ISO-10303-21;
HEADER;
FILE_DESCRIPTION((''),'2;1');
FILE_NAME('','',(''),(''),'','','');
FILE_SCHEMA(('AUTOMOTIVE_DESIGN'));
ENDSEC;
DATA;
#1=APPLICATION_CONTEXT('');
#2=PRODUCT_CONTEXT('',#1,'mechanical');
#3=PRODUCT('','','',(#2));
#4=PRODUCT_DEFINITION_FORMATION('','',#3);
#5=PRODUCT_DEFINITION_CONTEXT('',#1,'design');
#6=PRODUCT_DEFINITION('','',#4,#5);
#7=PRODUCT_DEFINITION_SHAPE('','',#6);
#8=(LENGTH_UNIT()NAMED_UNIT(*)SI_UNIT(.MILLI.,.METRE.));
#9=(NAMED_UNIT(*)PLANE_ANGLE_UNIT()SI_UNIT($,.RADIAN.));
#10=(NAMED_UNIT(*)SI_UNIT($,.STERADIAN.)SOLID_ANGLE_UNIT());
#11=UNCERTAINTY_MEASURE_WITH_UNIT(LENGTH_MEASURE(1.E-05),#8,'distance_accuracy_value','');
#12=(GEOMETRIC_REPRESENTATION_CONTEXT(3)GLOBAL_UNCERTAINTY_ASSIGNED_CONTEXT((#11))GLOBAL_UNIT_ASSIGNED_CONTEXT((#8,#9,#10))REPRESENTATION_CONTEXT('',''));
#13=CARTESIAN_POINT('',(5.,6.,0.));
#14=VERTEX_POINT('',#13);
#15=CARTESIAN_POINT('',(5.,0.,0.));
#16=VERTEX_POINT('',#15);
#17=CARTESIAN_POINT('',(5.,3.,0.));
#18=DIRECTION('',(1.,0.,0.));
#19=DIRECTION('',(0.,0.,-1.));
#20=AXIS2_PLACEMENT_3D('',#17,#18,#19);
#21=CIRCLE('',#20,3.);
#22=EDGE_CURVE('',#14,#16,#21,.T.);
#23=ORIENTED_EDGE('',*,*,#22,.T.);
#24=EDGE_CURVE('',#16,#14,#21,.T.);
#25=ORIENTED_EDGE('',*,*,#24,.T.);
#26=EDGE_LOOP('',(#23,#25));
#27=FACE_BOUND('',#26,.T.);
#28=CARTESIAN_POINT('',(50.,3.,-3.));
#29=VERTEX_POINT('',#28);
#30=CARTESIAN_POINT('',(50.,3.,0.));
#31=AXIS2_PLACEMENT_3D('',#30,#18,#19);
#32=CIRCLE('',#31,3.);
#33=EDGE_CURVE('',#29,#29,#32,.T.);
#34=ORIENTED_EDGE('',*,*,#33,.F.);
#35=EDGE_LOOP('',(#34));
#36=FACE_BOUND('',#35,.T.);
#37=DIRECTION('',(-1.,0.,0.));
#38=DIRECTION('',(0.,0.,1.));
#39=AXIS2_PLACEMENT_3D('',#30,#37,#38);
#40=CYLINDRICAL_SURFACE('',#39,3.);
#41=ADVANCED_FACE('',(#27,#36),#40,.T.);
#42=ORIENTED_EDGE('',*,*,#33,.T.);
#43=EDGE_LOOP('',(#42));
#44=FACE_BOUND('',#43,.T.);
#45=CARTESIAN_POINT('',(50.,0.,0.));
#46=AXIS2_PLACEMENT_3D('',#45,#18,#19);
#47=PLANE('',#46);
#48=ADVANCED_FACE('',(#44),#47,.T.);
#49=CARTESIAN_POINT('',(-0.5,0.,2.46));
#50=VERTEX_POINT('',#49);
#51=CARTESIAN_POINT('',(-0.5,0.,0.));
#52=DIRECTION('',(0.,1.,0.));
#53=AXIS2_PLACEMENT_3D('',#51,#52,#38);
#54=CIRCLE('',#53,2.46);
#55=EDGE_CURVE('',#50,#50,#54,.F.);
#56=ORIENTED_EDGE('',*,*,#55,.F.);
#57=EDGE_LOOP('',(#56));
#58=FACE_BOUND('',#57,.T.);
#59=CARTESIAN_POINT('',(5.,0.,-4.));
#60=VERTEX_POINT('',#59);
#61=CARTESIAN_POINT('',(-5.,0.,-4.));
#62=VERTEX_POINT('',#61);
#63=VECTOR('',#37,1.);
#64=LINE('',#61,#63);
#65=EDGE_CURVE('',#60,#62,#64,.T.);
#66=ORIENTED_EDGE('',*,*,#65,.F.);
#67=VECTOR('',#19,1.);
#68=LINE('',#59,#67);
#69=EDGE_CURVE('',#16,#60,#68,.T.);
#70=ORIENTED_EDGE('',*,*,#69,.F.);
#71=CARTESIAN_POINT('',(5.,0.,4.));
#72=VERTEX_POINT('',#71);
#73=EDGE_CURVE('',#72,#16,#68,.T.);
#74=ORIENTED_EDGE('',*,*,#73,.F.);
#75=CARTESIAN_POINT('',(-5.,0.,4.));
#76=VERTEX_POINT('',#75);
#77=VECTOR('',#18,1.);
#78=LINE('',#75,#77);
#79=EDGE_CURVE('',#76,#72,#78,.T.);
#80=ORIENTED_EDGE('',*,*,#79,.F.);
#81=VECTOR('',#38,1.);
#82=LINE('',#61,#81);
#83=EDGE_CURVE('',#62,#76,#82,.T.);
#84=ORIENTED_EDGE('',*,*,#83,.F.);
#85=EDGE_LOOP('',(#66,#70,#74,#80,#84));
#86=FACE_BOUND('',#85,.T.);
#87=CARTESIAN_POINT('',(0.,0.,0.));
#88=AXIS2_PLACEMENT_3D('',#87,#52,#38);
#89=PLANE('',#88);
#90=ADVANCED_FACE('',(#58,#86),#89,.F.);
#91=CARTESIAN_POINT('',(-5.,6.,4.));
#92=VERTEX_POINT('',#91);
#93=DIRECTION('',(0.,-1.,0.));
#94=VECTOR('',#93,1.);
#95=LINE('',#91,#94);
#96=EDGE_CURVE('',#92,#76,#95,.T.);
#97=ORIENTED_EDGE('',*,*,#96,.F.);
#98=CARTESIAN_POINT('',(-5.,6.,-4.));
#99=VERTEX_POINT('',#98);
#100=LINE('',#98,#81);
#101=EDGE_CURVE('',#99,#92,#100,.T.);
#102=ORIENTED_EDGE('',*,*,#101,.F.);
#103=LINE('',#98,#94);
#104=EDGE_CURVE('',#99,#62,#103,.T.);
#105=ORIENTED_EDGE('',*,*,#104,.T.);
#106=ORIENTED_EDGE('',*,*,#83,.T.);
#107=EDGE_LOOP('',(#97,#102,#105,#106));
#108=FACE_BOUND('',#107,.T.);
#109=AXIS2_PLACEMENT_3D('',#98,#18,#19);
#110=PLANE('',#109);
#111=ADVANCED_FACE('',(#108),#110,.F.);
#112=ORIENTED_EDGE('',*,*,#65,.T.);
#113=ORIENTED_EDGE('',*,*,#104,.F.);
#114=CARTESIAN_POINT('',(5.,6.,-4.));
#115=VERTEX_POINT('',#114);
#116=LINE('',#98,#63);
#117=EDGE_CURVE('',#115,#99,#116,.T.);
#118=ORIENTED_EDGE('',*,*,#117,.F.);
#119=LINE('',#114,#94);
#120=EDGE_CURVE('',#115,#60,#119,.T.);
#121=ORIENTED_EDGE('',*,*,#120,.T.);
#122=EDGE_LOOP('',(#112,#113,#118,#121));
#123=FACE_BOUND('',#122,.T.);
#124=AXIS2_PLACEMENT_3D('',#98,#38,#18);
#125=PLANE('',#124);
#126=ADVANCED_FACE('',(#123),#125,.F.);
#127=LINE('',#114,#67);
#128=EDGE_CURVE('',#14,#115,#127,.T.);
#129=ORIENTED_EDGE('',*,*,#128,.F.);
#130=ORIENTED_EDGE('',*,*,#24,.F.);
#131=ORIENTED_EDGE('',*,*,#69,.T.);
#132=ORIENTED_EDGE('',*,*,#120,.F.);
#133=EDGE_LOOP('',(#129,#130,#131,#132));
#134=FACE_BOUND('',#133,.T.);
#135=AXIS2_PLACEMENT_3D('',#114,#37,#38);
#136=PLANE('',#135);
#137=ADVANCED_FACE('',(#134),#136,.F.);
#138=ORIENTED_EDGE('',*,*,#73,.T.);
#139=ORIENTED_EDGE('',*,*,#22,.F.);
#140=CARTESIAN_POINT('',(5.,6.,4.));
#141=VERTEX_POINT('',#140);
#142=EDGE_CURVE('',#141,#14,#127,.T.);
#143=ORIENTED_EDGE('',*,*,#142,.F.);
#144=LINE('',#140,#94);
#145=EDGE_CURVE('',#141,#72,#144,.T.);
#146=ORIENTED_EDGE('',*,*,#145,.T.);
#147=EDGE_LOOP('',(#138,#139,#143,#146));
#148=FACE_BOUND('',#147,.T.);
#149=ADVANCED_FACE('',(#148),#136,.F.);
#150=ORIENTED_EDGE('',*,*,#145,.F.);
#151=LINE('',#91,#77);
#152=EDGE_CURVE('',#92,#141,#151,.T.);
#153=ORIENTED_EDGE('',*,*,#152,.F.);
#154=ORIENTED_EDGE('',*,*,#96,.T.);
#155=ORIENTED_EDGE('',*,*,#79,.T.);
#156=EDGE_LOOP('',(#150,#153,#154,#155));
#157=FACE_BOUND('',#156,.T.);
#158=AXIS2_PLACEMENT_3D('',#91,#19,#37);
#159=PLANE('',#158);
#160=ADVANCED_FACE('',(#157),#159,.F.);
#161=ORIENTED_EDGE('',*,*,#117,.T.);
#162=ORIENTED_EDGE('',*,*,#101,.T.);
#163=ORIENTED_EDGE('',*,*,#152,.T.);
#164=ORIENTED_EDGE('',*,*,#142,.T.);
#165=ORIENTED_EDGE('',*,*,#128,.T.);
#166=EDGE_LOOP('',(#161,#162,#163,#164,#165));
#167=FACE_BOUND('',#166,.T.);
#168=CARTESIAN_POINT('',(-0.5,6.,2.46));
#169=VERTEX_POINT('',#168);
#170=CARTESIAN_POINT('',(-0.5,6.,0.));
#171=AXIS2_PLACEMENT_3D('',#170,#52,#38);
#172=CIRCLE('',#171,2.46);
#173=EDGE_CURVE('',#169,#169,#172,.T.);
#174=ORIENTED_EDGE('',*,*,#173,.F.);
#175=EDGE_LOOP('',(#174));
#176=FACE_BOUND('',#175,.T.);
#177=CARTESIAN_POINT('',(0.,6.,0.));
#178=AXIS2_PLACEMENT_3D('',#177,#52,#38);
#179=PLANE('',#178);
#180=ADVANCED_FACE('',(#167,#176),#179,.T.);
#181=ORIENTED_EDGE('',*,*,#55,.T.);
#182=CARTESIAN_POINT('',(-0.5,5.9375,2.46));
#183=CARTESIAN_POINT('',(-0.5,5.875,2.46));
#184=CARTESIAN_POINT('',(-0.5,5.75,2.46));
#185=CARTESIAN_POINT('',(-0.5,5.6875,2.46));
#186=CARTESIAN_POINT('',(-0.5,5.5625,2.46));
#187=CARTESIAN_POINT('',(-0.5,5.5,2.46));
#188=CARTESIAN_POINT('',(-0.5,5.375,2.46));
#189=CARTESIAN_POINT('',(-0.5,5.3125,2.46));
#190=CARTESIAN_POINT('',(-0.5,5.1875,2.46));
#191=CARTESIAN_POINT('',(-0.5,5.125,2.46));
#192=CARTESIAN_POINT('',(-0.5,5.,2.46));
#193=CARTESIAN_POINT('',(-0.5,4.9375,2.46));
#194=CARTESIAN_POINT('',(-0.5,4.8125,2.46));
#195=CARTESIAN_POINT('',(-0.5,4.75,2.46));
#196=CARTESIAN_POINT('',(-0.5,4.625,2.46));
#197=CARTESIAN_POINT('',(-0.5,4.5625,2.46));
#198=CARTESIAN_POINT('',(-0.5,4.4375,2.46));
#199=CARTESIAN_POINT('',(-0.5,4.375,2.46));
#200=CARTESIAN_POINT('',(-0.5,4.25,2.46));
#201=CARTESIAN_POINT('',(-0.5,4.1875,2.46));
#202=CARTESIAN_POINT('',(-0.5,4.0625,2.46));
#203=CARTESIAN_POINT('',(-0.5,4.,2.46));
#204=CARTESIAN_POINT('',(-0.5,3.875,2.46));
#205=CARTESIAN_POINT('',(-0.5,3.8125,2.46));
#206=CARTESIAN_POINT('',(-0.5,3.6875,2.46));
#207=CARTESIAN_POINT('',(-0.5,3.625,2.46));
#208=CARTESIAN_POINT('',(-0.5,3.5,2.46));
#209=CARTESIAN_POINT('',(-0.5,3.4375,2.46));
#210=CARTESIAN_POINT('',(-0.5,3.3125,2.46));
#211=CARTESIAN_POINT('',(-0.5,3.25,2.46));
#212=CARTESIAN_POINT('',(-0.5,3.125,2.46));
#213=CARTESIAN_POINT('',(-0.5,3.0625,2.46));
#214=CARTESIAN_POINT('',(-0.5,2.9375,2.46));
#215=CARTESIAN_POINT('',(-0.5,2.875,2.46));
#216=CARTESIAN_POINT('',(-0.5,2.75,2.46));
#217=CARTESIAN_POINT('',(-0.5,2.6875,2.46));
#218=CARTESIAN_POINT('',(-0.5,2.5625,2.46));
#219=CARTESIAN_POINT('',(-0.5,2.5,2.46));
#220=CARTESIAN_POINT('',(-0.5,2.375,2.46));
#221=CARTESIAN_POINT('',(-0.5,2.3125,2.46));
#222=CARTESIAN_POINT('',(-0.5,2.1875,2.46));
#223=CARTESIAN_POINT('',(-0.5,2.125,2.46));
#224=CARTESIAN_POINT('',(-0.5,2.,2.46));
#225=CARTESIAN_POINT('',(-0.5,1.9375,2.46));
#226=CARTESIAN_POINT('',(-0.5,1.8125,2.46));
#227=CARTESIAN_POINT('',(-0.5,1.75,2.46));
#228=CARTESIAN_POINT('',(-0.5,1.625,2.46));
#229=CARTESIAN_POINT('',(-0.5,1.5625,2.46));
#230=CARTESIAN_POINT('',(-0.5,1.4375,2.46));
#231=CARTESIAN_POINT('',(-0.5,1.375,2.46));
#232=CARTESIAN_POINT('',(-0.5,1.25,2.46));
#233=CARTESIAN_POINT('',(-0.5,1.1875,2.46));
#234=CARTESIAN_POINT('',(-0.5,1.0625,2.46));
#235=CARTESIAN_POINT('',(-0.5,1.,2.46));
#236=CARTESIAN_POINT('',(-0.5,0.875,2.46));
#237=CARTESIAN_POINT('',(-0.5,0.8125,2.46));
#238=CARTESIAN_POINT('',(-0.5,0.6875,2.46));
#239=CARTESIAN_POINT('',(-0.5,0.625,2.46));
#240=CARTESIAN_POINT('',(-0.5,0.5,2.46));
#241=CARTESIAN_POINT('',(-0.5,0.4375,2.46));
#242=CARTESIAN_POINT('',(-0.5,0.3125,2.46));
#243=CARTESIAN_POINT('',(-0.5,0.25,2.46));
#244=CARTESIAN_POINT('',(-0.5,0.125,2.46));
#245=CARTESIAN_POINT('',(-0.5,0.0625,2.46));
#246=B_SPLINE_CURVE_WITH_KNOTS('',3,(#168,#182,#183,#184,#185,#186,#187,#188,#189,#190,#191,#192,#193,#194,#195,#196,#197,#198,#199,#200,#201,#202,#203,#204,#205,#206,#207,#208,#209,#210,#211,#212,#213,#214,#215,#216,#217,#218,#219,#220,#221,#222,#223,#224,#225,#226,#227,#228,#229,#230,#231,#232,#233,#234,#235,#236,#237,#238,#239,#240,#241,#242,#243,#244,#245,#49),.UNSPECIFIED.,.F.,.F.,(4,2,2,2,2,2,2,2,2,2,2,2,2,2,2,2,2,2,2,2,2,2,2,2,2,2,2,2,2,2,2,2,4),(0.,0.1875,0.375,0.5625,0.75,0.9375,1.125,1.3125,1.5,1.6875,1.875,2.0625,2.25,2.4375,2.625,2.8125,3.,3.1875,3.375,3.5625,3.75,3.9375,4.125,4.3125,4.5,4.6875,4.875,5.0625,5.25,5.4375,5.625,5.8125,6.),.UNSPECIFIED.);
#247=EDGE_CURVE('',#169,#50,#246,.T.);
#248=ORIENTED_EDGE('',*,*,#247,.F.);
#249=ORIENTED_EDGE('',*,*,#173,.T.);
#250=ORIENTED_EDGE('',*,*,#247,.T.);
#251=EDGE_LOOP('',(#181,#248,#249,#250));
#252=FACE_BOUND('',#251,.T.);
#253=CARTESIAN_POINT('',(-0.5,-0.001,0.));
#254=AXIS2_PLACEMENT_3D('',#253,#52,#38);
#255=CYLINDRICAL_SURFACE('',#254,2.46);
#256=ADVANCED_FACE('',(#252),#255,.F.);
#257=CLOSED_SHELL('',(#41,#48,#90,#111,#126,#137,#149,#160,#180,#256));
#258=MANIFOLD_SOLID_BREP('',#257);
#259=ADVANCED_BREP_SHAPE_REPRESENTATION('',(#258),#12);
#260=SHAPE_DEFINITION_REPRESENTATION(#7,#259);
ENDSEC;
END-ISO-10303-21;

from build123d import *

# Parameters (mm, degrees)
SKETCH_1_W          = 10
SKETCH_1_H          = 8
EXTRUDE_1_DEPTH     = 6
EXTRUDE_2_DEPTH     = 45
CUT_EXTRUDE_1_REACH = 52.517
SKETCH_3_R          = 2.46


with BuildPart() as part:
    # 草图1 → 凸台-拉伸1 (new body)
    with BuildSketch(Plane(origin=(0, 0, 0), x_dir=(1, 0, 0), z_dir=(0, 1, 0))):
        Rectangle(SKETCH_1_W, SKETCH_1_H)
    extrude(amount=EXTRUDE_1_DEPTH)

    # 草图2 → 凸台-拉伸2 (add)
    with BuildSketch(Plane(origin=(5, 0, 0), x_dir=(0, 0, -1), z_dir=(1, 0, 0))):
        with BuildLine():
            ThreePointArc((0, 6), (-3, 3), (0, 0))
            Line((0, 0), (0, 6))
        make_face()
        with BuildLine():
            Line((0, 6), (0, 0))
            ThreePointArc((0, 0), (2.121320344, 0.878679656), (3, 3))
            ThreePointArc((3, 3), (2.121320344, 5.121320344), (0, 6))
        make_face()
    extrude(amount=EXTRUDE_2_DEPTH)

    # 草图3 → 切除-拉伸1 (cut, up to next)
    with BuildSketch(Plane(origin=(0, 6, 0), x_dir=(1, 0, 0), z_dir=(0, 1, 0)), mode=Mode.PRIVATE) as cut_extrude_1_sk1:
        with Locations(Location((-0.5, 0, 0), (0, 0, 270))):
            Circle(SKETCH_3_R)
    cut_extrude_1_tool1 = extrude(cut_extrude_1_sk1.sketch, amount=-CUT_EXTRUDE_1_REACH, mode=Mode.PRIVATE) & part.part
    add(cut_extrude_1_tool1.solids().sort_by_distance((-0.5, 6, 0))[0], mode=Mode.SUBTRACT)


solid = part.part
